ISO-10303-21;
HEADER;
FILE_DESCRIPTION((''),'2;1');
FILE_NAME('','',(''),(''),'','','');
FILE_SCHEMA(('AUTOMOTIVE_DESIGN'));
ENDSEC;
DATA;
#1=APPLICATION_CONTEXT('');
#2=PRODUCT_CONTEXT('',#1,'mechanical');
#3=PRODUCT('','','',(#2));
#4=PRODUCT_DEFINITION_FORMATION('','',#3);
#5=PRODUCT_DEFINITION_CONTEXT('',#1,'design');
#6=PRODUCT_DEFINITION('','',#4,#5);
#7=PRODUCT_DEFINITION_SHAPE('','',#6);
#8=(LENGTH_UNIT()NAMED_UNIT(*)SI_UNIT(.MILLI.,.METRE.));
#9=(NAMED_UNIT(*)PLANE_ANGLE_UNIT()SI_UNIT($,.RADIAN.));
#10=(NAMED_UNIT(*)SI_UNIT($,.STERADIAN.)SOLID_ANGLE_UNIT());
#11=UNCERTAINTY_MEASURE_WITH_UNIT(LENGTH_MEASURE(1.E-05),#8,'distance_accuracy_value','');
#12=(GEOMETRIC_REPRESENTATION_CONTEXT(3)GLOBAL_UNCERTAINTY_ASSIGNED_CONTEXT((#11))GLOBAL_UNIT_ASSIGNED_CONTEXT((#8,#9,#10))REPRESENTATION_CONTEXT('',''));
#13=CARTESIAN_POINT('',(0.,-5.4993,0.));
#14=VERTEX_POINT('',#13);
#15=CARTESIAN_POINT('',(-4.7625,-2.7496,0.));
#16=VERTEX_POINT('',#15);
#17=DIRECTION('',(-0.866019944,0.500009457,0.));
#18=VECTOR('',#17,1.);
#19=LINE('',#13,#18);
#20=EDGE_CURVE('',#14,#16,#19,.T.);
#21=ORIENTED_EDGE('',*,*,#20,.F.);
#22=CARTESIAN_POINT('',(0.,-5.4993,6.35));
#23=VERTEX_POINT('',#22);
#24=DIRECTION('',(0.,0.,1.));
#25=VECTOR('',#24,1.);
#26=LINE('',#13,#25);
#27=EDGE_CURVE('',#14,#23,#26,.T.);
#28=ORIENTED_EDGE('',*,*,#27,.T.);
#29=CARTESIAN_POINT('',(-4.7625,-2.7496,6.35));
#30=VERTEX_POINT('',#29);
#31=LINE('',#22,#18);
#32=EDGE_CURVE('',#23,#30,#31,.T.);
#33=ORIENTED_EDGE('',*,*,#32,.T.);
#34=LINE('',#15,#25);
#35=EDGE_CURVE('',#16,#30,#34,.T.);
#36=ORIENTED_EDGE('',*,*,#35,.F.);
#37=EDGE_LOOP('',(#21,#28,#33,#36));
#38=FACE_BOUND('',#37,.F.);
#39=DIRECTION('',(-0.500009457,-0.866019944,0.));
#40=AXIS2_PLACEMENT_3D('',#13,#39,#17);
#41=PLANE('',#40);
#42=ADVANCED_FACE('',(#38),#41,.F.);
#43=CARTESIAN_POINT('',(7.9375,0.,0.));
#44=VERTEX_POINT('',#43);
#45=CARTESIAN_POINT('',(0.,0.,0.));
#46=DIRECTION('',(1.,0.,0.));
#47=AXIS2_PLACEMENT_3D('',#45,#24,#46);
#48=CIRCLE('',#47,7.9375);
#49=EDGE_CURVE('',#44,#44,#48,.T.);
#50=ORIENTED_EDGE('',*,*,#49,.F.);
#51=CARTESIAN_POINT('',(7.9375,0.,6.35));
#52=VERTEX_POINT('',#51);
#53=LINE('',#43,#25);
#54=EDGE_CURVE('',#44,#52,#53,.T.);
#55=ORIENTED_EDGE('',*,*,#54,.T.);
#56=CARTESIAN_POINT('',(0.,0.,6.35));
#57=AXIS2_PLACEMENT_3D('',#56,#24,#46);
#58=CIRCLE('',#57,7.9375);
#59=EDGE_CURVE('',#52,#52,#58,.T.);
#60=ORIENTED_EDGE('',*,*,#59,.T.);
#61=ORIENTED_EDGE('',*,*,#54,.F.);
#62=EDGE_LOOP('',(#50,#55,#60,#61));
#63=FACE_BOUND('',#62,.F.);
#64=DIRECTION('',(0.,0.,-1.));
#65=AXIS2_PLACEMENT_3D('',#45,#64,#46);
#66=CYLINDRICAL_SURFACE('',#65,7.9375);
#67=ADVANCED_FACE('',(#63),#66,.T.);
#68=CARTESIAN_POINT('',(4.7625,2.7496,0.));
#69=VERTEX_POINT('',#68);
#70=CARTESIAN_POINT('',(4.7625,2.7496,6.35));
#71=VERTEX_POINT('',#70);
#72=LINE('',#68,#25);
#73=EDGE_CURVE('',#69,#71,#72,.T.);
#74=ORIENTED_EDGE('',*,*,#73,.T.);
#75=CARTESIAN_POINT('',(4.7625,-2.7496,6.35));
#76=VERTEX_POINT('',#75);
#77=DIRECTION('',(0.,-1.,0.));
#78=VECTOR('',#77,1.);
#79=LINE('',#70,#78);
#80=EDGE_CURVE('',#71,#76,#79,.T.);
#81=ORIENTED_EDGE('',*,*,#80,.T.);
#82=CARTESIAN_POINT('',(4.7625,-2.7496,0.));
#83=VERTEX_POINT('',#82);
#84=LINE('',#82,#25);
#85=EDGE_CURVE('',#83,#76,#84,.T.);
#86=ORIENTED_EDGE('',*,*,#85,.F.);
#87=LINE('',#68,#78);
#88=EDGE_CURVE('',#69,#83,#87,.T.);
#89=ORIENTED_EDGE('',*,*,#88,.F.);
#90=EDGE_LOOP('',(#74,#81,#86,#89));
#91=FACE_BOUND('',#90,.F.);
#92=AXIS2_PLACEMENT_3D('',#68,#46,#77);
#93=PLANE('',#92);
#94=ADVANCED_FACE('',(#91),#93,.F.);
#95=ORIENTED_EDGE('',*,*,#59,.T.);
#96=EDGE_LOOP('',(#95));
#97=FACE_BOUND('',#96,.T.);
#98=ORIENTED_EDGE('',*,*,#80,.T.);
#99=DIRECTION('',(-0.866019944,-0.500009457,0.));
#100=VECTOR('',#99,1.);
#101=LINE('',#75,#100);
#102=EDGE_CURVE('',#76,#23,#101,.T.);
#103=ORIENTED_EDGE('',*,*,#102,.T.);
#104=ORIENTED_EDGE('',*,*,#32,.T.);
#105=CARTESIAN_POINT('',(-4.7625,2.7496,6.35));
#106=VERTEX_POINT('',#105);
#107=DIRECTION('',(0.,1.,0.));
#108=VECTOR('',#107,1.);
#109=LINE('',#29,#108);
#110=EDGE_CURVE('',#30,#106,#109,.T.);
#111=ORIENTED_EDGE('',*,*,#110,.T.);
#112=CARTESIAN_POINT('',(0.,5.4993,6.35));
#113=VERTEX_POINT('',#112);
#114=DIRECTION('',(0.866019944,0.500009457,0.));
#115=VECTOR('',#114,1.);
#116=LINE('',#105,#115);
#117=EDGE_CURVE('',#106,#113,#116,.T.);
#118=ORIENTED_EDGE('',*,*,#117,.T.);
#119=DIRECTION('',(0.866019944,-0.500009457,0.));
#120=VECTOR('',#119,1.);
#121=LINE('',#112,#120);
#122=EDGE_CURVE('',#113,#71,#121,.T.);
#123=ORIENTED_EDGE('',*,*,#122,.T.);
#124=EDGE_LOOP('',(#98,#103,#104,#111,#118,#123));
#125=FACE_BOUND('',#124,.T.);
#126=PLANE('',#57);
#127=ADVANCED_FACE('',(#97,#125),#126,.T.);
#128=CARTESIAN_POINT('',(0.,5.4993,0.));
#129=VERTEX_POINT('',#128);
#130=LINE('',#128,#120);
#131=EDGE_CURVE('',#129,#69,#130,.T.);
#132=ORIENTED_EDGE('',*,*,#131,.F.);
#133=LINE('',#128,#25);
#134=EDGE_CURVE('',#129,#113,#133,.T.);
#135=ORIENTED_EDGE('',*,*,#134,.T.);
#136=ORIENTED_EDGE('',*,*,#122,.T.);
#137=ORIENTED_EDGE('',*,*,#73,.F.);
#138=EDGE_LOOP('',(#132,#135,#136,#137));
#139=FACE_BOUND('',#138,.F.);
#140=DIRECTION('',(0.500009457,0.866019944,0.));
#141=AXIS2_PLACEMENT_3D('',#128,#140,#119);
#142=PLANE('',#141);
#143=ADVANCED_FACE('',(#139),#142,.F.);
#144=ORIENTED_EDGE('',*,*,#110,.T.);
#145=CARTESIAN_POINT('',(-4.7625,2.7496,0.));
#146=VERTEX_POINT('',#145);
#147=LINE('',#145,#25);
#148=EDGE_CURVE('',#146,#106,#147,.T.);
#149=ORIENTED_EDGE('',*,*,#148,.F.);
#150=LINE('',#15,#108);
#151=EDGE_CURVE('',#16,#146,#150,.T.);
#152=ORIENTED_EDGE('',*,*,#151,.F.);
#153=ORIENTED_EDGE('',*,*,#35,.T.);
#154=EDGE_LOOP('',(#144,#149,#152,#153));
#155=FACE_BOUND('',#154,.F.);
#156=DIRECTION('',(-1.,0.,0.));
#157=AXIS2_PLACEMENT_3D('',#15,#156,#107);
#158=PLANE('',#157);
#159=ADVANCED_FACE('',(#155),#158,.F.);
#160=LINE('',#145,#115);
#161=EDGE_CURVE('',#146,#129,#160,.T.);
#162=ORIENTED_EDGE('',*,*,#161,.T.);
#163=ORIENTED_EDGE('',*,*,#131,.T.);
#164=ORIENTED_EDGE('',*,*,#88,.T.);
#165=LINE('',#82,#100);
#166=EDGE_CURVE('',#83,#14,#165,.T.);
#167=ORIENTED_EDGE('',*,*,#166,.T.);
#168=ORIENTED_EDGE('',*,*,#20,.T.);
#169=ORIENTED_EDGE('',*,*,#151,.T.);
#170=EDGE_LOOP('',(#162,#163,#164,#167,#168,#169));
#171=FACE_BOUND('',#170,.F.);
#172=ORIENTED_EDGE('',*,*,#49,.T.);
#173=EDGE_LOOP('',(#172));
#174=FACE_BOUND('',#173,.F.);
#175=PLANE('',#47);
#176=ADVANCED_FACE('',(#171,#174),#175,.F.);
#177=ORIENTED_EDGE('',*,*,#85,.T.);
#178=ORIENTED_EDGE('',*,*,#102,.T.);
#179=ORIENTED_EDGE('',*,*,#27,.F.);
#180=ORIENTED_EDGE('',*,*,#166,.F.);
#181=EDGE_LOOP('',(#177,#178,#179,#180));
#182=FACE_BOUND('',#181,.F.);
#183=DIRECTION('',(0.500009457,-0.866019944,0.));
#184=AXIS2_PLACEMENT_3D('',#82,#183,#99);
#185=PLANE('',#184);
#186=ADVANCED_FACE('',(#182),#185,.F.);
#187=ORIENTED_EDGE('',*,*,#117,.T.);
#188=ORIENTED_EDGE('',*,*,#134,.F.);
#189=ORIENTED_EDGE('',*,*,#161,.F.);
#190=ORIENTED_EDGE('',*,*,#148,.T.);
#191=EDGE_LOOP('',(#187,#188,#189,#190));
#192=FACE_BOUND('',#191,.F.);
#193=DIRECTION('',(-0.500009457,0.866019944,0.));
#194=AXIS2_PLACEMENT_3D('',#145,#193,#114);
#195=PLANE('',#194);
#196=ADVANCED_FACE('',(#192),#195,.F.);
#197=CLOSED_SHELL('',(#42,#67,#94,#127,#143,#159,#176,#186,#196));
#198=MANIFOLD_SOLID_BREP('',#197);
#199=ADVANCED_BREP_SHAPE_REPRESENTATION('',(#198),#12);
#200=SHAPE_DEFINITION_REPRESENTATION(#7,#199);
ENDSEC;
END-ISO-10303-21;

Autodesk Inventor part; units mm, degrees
ref_plane "YZ Plane" through (0, 0, 0) normal (1, 0, 0) x (0, 1, 0)
ref_plane "XZ Plane" through (0, 0, 0) normal (0, 1, 0) x (-1, 0, 0)
ref_plane "XY Plane" through (0, 0, 0) normal (0, 0, 1) x (1, 0, 0)
sketch "Sketch1" plane through (0, 0, 0) normal (0, 0, 1) x (1, 0, 0)
  circle A0 centre (0, 0) radius 7.9375
  line L0 (0, 5.4993) -> (4.7625, 2.7496)
  line L1 (4.7625, 2.7496) -> (4.7625, -2.7496)
  line L2 (4.7625, -2.7496) -> (0, -5.4993)
  line L3 (0, -5.4993) -> (-4.7625, -2.7496)
  line L4 (-4.7625, -2.7496) -> (-4.7625, 2.7496)
  line L5 (-4.7625, 2.7496) -> (0, 5.4993)
  dimension "d0" = 9.525
  dimension "d1" = 15.875
extrude "Extrusion1" add sketch "Sketch1" along normal blind 6.35
properties part number "Spacer_0.375hex_0.25" material "Acetal Resin, Black"
